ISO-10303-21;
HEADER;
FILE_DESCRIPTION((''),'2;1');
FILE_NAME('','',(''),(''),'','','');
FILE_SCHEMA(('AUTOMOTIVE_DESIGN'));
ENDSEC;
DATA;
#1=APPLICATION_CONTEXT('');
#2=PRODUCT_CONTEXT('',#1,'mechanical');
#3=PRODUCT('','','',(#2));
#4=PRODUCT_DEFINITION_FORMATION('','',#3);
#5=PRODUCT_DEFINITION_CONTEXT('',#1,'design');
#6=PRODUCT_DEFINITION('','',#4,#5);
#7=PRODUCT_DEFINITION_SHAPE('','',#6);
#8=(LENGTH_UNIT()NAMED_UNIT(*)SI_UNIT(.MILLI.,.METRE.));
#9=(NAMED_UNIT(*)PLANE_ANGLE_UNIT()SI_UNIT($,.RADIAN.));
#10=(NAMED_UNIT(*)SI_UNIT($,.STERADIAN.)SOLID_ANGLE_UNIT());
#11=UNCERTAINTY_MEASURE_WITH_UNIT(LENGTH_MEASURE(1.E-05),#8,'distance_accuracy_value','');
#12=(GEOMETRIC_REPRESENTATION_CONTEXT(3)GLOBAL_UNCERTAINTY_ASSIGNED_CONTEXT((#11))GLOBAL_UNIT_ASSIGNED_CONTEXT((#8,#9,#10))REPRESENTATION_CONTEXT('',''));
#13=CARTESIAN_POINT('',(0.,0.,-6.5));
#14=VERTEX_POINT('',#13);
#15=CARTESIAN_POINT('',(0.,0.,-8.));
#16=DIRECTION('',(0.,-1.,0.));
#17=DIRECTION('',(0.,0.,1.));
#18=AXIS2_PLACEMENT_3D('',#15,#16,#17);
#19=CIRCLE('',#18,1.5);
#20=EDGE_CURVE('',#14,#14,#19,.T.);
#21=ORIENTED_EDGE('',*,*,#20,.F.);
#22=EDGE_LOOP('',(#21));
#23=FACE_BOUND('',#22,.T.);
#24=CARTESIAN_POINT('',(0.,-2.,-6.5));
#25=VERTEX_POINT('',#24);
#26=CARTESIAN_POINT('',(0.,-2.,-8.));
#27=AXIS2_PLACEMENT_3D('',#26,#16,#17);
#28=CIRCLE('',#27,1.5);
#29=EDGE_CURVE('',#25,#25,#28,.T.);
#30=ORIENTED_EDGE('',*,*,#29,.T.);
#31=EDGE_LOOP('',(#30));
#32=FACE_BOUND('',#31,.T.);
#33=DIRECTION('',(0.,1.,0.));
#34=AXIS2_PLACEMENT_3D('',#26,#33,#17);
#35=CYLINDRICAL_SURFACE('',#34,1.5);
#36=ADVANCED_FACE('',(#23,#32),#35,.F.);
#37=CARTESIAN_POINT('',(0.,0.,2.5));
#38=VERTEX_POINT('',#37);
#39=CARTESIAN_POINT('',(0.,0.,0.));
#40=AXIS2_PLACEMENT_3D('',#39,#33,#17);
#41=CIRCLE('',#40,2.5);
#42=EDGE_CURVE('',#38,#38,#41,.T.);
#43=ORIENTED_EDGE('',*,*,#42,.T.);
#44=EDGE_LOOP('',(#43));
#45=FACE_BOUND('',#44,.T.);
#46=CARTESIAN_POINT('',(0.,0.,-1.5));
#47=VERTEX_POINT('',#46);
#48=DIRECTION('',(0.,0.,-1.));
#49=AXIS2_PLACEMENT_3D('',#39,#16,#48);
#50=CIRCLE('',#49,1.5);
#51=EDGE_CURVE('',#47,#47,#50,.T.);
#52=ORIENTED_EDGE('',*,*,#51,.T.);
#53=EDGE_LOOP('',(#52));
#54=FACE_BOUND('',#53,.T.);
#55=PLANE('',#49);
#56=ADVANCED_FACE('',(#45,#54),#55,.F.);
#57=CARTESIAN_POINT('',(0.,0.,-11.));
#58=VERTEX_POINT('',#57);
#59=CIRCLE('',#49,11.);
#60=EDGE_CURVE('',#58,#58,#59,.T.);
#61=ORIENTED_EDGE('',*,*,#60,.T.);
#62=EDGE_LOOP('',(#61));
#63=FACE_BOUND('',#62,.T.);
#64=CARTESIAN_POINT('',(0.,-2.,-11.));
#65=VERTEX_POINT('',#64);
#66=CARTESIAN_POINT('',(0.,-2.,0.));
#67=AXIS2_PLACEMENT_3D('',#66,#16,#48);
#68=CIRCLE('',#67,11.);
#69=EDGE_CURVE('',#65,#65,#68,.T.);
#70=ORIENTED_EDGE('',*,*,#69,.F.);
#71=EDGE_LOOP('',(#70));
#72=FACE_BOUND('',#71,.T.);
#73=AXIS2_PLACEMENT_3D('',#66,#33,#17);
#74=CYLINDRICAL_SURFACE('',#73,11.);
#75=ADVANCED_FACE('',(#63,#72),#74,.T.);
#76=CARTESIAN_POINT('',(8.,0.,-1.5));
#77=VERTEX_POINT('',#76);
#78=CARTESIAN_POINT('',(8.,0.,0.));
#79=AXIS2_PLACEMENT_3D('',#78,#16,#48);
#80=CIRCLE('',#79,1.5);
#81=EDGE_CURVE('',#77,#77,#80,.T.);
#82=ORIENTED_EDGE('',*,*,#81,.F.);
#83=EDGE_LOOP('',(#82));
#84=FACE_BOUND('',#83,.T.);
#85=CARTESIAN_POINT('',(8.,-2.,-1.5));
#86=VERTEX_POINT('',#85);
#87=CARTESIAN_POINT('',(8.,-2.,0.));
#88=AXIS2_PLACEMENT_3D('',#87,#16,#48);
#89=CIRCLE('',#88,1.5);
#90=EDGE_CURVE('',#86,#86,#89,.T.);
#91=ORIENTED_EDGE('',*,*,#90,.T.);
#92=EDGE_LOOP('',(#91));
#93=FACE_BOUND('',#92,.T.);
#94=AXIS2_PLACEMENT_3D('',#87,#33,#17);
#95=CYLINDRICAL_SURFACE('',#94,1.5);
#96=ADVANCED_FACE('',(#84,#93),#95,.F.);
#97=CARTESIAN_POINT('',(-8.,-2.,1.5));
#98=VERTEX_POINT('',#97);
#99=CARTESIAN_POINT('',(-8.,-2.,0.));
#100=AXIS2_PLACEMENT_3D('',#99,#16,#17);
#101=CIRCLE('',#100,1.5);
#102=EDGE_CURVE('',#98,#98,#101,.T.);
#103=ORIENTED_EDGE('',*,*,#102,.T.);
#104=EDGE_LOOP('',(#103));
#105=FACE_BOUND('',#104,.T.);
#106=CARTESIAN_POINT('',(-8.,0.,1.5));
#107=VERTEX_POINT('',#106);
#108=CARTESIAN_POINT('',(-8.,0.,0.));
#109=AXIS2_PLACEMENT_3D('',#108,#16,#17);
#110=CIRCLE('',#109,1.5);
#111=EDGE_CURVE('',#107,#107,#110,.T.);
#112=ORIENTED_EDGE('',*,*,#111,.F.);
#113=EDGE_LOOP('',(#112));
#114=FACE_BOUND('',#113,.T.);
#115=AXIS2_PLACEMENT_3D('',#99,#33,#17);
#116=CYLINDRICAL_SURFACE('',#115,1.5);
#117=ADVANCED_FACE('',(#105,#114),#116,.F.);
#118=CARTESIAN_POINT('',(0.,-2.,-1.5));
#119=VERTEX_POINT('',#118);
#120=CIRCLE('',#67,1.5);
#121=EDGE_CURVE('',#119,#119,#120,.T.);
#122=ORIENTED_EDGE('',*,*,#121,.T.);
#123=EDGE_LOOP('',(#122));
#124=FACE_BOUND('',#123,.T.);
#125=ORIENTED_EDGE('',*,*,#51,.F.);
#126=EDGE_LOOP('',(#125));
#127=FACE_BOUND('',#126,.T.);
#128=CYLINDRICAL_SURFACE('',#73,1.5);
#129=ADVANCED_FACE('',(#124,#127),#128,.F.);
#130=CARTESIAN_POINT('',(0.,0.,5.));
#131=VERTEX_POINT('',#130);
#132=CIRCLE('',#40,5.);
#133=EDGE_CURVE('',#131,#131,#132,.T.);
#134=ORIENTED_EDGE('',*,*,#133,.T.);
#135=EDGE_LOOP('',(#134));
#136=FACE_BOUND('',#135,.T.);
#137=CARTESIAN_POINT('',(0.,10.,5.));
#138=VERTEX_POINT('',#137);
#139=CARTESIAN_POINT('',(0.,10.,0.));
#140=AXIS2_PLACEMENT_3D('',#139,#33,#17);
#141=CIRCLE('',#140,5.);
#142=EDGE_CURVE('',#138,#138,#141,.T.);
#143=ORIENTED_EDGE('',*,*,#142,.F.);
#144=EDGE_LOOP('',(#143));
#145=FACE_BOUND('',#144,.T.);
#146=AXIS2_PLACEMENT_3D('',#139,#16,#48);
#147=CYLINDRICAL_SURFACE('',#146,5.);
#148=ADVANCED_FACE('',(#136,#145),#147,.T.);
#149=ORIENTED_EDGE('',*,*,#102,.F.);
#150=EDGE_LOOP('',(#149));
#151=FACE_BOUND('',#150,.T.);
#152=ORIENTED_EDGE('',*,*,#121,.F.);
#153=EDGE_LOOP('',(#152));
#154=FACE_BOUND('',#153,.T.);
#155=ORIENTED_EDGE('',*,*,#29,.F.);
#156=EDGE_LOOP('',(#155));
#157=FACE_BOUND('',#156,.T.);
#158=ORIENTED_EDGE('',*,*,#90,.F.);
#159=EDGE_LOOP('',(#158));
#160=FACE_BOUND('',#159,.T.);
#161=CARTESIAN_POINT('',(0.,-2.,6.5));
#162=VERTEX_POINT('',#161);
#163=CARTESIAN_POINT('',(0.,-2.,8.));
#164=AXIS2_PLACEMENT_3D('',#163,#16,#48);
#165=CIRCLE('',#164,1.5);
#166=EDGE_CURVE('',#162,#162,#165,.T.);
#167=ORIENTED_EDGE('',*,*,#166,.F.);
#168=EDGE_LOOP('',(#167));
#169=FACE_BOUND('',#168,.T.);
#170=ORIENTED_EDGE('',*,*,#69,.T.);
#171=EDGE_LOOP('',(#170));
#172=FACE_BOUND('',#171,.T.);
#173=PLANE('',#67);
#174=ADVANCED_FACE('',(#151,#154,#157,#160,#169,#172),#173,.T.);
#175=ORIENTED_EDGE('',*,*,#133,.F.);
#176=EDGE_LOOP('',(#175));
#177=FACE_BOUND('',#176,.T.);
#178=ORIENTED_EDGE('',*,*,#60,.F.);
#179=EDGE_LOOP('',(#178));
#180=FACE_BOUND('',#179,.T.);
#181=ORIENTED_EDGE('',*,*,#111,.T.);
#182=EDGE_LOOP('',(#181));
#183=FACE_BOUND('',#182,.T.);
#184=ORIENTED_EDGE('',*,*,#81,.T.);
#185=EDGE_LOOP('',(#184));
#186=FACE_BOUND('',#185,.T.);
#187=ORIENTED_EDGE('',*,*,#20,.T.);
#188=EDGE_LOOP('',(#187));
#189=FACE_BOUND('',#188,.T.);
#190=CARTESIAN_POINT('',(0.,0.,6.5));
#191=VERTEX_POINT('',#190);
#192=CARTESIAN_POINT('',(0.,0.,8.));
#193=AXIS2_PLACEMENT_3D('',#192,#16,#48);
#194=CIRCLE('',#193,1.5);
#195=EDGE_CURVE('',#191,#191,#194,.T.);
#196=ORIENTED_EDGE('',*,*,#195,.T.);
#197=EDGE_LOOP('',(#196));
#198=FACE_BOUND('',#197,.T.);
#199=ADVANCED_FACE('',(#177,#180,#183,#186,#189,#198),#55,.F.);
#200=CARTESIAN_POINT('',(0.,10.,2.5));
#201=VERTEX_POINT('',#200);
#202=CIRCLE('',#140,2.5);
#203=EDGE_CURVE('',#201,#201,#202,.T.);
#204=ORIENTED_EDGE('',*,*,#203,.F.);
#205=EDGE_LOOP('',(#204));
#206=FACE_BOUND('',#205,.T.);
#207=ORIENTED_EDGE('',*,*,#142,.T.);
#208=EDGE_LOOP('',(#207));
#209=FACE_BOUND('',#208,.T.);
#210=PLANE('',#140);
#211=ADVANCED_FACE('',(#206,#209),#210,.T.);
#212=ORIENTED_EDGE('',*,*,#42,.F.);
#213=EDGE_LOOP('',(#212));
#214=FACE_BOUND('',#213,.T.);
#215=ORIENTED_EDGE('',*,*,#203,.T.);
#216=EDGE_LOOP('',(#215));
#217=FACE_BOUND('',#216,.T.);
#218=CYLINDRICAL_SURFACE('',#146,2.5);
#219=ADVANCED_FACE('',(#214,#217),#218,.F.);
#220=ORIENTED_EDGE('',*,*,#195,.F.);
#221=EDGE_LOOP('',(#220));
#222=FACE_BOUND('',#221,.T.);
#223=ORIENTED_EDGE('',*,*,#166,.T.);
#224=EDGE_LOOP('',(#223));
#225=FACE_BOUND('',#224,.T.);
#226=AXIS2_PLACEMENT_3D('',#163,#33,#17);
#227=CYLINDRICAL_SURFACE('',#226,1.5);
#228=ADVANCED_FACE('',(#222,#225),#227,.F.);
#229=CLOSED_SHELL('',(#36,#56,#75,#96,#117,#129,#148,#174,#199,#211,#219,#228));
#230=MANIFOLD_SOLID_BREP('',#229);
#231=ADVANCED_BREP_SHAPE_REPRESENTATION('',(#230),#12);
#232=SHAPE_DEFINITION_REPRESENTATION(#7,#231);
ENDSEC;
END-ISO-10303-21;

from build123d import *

# Parameters (mm, degrees)
SKETCH_1_R      = 5
SKETCH_1_R_2    = 2.5
EXTRUDE_1_DEPTH = 10
SKETCH_2_R      = 11
SKETCH_2_R_2    = 1.5
EXTRUDE_2_DEPTH = 2


with BuildPart() as part:
    # 草图1 → 凸台-拉伸1 (new body)
    with BuildSketch(Plane(origin=(0, 0, 0), x_dir=(1, 0, 0), z_dir=(0, 1, 0))):
        with Locations(Location((0, 0, 0), (0, 0, 270))):
            Circle(SKETCH_1_R)
        with Locations(Location((0, 0, 0), (0, 0, 270))):
            Circle(SKETCH_1_R_2, mode=Mode.SUBTRACT)
    extrude(amount=EXTRUDE_1_DEPTH)

    # 草图2 → 凸台-拉伸2 (add)
    with BuildSketch(Plane.XZ):
        with Locations(Location((0, 0, 0), (0, 0, 270))):
            Circle(SKETCH_2_R)
        with Locations(Location((0, 8, 0), (0, 0, 270))):
            Circle(SKETCH_2_R_2, mode=Mode.SUBTRACT)
        with Locations(Location((8, 0, 0), (0, 0, 270))):
            Circle(SKETCH_2_R_2, mode=Mode.SUBTRACT)
        with Locations(Location((-8, 0, 0), (0, 0, 90))):
            Circle(SKETCH_2_R_2, mode=Mode.SUBTRACT)
        with Locations(Location((0, -8, 0), (0, 0, 90))):
            Circle(SKETCH_2_R_2, mode=Mode.SUBTRACT)
        with Locations(Location((0, 0, 0), (0, 0, 270))):
            Circle(SKETCH_2_R_2, mode=Mode.SUBTRACT)
    extrude(amount=EXTRUDE_2_DEPTH)


solid = part.part
